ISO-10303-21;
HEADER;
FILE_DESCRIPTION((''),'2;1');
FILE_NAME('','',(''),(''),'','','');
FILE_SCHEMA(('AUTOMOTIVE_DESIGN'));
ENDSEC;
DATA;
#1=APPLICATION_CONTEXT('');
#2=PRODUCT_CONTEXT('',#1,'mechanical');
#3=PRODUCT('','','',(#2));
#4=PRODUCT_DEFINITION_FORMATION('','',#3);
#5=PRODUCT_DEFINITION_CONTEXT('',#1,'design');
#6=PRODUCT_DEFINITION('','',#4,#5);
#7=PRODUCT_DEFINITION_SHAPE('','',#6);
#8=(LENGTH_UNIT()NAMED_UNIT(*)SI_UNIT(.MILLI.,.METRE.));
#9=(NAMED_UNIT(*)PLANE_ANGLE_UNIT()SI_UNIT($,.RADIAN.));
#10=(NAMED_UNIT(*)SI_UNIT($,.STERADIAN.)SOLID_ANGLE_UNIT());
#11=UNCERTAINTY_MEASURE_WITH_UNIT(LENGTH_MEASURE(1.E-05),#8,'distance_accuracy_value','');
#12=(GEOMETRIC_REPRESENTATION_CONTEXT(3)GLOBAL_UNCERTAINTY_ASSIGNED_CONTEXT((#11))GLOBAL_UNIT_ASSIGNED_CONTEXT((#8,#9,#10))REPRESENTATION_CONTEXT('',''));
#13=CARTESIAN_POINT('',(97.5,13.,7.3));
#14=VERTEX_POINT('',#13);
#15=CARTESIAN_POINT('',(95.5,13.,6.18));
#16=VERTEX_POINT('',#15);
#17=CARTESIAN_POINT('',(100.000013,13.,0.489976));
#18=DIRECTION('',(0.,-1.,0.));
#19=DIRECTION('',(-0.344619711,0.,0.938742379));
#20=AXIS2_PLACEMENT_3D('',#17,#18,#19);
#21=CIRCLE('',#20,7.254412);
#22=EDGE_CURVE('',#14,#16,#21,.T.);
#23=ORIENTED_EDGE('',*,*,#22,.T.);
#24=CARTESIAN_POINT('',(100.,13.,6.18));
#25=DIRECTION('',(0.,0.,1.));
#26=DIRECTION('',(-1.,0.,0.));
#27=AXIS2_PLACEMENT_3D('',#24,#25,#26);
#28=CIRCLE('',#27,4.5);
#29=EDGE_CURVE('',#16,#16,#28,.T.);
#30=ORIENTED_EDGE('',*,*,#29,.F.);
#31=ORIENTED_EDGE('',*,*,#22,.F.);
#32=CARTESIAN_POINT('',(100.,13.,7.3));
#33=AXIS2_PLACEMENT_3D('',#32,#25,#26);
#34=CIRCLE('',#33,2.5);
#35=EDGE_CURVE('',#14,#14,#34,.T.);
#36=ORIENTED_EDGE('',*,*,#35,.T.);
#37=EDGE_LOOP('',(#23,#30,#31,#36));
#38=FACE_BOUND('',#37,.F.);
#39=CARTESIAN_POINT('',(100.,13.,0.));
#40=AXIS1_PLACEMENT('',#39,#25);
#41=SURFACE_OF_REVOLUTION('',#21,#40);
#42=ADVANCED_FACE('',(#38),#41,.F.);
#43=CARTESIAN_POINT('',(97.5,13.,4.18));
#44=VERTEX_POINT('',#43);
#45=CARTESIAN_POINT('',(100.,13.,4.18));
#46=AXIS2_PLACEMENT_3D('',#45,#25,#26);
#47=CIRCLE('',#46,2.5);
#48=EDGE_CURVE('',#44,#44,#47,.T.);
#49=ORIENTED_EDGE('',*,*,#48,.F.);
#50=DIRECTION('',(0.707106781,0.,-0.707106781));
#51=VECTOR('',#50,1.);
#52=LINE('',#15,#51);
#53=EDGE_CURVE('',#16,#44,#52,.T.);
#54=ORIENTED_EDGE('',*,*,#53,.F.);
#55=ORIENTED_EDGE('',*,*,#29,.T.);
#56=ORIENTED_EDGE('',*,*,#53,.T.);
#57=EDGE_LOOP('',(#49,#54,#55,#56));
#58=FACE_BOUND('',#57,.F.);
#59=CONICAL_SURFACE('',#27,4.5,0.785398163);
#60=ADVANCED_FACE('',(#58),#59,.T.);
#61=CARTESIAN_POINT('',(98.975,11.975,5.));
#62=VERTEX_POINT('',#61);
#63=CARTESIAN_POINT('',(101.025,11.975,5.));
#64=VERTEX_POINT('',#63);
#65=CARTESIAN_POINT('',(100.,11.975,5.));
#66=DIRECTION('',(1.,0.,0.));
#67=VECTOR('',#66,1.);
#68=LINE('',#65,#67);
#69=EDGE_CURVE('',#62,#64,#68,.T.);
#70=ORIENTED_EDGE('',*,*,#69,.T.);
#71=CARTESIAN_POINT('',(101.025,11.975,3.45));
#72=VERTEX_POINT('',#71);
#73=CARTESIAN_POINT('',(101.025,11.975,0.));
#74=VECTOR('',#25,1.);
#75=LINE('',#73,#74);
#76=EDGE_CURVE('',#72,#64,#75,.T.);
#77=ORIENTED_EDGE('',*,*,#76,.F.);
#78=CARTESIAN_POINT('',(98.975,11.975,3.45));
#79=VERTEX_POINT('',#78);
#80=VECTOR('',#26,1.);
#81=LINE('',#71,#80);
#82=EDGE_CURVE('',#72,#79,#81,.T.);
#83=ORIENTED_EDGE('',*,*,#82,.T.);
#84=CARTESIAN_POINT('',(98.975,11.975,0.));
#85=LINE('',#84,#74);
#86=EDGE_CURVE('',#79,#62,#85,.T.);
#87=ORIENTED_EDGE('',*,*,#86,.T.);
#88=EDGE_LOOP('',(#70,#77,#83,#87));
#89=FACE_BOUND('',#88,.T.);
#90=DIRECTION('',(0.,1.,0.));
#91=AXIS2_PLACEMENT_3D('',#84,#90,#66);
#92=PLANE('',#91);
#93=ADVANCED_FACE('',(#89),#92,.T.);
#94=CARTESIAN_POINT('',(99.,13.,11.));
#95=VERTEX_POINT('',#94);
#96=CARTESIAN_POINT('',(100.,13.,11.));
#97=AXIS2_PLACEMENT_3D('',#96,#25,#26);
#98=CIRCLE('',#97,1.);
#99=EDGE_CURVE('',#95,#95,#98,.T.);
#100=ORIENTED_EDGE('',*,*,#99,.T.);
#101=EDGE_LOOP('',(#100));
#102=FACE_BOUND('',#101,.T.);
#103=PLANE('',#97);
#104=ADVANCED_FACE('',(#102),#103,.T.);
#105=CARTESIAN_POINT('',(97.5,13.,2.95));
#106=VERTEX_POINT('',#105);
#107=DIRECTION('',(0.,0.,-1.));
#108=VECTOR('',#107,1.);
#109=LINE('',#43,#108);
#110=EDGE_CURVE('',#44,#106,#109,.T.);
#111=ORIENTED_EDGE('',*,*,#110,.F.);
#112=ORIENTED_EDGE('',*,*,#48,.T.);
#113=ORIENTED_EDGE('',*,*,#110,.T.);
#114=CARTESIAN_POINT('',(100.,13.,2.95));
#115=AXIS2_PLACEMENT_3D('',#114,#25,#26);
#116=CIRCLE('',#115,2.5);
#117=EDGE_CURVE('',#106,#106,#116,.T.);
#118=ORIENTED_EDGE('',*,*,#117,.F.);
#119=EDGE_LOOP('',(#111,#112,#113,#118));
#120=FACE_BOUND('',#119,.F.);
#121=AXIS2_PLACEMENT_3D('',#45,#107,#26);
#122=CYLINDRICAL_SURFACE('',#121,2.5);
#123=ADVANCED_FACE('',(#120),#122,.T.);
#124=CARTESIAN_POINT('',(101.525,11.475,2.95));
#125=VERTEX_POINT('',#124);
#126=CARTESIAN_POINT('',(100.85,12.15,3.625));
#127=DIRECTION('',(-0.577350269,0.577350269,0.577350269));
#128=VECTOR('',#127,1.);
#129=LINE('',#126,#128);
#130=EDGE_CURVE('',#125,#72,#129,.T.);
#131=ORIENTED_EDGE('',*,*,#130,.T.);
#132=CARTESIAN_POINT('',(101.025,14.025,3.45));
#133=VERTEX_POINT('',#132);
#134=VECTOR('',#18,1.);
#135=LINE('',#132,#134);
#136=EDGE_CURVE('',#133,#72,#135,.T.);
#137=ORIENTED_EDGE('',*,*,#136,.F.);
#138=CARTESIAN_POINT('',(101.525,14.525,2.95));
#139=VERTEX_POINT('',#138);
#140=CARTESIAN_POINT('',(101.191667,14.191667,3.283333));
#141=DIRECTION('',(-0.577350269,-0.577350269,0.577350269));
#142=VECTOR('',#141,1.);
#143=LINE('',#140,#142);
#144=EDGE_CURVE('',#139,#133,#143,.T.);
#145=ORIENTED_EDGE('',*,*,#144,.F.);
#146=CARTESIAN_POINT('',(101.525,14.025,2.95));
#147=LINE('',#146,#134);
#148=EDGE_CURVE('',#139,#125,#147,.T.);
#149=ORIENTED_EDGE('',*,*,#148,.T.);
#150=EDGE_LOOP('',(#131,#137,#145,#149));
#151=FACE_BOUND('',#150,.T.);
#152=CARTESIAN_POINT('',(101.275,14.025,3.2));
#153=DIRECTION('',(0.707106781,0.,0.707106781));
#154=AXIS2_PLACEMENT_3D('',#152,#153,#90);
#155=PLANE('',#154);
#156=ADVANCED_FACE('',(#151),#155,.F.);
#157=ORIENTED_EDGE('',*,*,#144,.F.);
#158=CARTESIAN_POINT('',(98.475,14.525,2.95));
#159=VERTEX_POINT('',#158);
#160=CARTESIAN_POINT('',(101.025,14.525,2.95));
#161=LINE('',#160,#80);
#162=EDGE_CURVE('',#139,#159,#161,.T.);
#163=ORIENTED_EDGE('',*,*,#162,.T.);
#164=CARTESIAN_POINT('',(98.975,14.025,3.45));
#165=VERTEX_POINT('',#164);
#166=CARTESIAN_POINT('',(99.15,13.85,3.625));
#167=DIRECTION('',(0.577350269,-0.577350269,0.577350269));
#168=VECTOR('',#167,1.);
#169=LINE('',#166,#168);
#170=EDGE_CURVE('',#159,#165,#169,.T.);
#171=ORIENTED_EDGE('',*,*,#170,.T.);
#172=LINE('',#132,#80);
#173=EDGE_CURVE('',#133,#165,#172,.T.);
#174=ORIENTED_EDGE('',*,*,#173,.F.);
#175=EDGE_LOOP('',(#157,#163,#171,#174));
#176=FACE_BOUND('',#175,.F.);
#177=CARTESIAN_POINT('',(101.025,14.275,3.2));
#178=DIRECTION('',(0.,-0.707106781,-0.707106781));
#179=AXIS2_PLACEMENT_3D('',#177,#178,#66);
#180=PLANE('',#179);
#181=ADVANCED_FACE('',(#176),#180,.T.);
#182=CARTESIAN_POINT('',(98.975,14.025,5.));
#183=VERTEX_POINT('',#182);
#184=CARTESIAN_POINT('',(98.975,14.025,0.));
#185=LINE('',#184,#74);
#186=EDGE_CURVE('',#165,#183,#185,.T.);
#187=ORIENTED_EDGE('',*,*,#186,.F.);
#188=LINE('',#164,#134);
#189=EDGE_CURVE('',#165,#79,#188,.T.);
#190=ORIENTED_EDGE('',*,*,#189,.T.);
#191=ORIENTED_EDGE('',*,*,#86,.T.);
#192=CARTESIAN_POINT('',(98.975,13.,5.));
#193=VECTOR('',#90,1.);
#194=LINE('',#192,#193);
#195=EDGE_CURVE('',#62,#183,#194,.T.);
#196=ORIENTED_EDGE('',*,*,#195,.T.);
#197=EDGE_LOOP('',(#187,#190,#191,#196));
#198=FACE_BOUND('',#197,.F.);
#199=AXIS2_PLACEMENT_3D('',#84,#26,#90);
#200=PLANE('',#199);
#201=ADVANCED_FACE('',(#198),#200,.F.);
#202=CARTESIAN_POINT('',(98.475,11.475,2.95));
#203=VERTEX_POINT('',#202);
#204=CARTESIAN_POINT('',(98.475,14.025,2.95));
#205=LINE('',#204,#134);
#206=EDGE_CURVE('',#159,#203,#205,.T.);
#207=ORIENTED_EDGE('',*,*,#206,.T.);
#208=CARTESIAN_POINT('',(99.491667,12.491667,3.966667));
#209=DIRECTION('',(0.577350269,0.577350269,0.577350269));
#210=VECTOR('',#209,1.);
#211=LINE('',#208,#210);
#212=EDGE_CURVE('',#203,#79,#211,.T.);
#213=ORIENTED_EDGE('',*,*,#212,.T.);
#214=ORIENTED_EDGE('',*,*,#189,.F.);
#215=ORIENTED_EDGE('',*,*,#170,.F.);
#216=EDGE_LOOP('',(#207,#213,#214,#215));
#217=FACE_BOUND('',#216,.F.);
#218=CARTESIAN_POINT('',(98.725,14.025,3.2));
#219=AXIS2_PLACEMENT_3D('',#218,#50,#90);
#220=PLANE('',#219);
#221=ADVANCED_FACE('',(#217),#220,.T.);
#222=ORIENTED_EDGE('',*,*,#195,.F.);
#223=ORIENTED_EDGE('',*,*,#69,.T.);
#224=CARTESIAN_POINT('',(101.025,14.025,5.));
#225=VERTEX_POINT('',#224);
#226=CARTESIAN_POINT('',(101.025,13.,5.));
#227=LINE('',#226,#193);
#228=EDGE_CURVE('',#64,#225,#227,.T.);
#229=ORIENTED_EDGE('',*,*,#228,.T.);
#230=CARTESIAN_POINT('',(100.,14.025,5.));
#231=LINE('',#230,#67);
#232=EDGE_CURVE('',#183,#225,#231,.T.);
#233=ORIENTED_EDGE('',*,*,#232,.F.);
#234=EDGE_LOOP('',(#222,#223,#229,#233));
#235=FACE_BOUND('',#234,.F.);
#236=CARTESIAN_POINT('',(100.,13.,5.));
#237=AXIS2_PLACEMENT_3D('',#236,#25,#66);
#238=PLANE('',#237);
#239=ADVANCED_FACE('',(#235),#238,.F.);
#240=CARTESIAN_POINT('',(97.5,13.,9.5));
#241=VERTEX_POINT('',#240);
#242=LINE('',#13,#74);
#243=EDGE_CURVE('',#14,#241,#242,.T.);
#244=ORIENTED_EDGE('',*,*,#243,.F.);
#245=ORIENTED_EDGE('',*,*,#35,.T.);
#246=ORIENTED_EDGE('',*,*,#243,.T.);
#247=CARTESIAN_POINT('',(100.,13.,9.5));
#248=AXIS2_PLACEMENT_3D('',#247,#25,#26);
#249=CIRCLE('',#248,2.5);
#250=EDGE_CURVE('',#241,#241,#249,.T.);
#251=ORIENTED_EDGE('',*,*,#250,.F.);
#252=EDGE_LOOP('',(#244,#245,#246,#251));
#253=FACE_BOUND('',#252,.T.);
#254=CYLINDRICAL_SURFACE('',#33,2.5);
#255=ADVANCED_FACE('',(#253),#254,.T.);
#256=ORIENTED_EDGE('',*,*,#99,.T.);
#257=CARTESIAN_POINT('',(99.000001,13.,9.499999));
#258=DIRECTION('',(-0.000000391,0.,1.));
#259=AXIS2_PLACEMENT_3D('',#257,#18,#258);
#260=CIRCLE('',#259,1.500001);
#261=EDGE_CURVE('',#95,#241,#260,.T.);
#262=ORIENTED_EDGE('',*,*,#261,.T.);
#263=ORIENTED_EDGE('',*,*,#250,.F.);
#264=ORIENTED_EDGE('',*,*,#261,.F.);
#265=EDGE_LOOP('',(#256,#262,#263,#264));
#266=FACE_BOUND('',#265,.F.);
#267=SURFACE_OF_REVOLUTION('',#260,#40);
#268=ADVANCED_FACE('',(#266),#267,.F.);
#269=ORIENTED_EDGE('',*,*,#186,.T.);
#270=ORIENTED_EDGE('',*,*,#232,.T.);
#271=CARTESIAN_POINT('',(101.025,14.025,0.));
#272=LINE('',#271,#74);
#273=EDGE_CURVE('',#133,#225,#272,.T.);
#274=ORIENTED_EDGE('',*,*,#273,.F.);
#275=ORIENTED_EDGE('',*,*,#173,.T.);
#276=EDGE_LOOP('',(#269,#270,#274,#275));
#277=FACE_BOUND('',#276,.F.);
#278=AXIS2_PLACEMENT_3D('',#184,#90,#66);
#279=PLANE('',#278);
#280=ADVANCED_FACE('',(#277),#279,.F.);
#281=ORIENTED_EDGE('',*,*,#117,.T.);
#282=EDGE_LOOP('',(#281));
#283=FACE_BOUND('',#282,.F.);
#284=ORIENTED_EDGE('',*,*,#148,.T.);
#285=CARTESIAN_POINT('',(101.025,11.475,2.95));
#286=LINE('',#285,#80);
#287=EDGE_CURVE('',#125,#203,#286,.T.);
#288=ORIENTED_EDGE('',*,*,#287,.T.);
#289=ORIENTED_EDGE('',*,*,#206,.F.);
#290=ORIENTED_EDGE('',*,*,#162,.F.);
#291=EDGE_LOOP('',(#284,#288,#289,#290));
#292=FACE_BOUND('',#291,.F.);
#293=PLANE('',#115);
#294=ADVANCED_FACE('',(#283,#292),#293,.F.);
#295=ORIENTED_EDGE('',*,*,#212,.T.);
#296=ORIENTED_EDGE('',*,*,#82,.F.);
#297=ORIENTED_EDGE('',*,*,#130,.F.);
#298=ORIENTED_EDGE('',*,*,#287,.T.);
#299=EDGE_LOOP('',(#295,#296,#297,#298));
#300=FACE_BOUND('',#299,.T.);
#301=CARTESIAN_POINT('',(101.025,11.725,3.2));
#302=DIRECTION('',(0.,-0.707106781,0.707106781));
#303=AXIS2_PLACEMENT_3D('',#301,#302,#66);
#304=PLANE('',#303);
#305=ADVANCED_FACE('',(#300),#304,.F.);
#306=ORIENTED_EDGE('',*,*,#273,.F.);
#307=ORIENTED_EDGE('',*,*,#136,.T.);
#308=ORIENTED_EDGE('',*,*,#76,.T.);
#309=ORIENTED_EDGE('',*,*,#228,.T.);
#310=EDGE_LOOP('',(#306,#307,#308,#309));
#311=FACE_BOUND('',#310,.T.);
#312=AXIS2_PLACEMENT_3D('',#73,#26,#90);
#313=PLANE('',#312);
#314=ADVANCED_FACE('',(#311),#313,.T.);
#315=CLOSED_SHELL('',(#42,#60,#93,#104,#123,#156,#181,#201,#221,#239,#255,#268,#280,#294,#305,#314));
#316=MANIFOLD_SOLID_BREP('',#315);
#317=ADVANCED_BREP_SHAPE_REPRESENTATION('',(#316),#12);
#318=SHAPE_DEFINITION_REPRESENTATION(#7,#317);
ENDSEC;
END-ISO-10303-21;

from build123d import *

# Parameters (mm, degrees)
SKETCH036_W     = 2.05
SKETCH036_H     = 2.05
POCKET015_DEPTH = 5
CHAMFER006_SIZE = 0.5


with BuildPart() as part:
    # Sketch035 (on DatumPlane) → Revolution (revolve)
    with BuildSketch(Plane(origin=(100, 13, 0), x_dir=(1, 0, 0), z_dir=(0, -1, 0))):
        with BuildLine():
            ThreePointArc((-2.5, 7.3), (-3.544517, 6.819494), (-4.5, 6.18))
            Line((-4.5, 6.18), (-2.5, 4.18))
            Line((-2.5, 4.18), (-2.5, 2.95))
            Line((-2.5, 2.95), (0, 2.95))
            Line((0, 11), (0, 2.95))
            Line((-1, 11), (0, 11))
            ThreePointArc((-1, 11), (-2.06066, 10.56066), (-2.5, 9.5))
            Line((-2.5, 7.3), (-2.5, 9.5))
        make_face()
    revolve(axis=Axis((100, 13, 0), (0, 0, 1)))

    # Sketch036 → Pocket015 (cut)
    with BuildSketch(Plane.XY):
        with Locations((100, 13)):
            Rectangle(SKETCH036_W, SKETCH036_H)
    extrude(amount=POCKET015_DEPTH, mode=Mode.SUBTRACT)

    # Chamfer006
    chamfer006_edges = [part.edges().sort_by_distance(p)[0] for p in [
        (101.025, 13, 2.95),
        (100, 14.025, 2.95),
        (98.975, 13, 2.95),
        (100, 11.975, 2.95),
    ]]
    chamfer(chamfer006_edges, length=CHAMFER006_SIZE)


solid = part.part
